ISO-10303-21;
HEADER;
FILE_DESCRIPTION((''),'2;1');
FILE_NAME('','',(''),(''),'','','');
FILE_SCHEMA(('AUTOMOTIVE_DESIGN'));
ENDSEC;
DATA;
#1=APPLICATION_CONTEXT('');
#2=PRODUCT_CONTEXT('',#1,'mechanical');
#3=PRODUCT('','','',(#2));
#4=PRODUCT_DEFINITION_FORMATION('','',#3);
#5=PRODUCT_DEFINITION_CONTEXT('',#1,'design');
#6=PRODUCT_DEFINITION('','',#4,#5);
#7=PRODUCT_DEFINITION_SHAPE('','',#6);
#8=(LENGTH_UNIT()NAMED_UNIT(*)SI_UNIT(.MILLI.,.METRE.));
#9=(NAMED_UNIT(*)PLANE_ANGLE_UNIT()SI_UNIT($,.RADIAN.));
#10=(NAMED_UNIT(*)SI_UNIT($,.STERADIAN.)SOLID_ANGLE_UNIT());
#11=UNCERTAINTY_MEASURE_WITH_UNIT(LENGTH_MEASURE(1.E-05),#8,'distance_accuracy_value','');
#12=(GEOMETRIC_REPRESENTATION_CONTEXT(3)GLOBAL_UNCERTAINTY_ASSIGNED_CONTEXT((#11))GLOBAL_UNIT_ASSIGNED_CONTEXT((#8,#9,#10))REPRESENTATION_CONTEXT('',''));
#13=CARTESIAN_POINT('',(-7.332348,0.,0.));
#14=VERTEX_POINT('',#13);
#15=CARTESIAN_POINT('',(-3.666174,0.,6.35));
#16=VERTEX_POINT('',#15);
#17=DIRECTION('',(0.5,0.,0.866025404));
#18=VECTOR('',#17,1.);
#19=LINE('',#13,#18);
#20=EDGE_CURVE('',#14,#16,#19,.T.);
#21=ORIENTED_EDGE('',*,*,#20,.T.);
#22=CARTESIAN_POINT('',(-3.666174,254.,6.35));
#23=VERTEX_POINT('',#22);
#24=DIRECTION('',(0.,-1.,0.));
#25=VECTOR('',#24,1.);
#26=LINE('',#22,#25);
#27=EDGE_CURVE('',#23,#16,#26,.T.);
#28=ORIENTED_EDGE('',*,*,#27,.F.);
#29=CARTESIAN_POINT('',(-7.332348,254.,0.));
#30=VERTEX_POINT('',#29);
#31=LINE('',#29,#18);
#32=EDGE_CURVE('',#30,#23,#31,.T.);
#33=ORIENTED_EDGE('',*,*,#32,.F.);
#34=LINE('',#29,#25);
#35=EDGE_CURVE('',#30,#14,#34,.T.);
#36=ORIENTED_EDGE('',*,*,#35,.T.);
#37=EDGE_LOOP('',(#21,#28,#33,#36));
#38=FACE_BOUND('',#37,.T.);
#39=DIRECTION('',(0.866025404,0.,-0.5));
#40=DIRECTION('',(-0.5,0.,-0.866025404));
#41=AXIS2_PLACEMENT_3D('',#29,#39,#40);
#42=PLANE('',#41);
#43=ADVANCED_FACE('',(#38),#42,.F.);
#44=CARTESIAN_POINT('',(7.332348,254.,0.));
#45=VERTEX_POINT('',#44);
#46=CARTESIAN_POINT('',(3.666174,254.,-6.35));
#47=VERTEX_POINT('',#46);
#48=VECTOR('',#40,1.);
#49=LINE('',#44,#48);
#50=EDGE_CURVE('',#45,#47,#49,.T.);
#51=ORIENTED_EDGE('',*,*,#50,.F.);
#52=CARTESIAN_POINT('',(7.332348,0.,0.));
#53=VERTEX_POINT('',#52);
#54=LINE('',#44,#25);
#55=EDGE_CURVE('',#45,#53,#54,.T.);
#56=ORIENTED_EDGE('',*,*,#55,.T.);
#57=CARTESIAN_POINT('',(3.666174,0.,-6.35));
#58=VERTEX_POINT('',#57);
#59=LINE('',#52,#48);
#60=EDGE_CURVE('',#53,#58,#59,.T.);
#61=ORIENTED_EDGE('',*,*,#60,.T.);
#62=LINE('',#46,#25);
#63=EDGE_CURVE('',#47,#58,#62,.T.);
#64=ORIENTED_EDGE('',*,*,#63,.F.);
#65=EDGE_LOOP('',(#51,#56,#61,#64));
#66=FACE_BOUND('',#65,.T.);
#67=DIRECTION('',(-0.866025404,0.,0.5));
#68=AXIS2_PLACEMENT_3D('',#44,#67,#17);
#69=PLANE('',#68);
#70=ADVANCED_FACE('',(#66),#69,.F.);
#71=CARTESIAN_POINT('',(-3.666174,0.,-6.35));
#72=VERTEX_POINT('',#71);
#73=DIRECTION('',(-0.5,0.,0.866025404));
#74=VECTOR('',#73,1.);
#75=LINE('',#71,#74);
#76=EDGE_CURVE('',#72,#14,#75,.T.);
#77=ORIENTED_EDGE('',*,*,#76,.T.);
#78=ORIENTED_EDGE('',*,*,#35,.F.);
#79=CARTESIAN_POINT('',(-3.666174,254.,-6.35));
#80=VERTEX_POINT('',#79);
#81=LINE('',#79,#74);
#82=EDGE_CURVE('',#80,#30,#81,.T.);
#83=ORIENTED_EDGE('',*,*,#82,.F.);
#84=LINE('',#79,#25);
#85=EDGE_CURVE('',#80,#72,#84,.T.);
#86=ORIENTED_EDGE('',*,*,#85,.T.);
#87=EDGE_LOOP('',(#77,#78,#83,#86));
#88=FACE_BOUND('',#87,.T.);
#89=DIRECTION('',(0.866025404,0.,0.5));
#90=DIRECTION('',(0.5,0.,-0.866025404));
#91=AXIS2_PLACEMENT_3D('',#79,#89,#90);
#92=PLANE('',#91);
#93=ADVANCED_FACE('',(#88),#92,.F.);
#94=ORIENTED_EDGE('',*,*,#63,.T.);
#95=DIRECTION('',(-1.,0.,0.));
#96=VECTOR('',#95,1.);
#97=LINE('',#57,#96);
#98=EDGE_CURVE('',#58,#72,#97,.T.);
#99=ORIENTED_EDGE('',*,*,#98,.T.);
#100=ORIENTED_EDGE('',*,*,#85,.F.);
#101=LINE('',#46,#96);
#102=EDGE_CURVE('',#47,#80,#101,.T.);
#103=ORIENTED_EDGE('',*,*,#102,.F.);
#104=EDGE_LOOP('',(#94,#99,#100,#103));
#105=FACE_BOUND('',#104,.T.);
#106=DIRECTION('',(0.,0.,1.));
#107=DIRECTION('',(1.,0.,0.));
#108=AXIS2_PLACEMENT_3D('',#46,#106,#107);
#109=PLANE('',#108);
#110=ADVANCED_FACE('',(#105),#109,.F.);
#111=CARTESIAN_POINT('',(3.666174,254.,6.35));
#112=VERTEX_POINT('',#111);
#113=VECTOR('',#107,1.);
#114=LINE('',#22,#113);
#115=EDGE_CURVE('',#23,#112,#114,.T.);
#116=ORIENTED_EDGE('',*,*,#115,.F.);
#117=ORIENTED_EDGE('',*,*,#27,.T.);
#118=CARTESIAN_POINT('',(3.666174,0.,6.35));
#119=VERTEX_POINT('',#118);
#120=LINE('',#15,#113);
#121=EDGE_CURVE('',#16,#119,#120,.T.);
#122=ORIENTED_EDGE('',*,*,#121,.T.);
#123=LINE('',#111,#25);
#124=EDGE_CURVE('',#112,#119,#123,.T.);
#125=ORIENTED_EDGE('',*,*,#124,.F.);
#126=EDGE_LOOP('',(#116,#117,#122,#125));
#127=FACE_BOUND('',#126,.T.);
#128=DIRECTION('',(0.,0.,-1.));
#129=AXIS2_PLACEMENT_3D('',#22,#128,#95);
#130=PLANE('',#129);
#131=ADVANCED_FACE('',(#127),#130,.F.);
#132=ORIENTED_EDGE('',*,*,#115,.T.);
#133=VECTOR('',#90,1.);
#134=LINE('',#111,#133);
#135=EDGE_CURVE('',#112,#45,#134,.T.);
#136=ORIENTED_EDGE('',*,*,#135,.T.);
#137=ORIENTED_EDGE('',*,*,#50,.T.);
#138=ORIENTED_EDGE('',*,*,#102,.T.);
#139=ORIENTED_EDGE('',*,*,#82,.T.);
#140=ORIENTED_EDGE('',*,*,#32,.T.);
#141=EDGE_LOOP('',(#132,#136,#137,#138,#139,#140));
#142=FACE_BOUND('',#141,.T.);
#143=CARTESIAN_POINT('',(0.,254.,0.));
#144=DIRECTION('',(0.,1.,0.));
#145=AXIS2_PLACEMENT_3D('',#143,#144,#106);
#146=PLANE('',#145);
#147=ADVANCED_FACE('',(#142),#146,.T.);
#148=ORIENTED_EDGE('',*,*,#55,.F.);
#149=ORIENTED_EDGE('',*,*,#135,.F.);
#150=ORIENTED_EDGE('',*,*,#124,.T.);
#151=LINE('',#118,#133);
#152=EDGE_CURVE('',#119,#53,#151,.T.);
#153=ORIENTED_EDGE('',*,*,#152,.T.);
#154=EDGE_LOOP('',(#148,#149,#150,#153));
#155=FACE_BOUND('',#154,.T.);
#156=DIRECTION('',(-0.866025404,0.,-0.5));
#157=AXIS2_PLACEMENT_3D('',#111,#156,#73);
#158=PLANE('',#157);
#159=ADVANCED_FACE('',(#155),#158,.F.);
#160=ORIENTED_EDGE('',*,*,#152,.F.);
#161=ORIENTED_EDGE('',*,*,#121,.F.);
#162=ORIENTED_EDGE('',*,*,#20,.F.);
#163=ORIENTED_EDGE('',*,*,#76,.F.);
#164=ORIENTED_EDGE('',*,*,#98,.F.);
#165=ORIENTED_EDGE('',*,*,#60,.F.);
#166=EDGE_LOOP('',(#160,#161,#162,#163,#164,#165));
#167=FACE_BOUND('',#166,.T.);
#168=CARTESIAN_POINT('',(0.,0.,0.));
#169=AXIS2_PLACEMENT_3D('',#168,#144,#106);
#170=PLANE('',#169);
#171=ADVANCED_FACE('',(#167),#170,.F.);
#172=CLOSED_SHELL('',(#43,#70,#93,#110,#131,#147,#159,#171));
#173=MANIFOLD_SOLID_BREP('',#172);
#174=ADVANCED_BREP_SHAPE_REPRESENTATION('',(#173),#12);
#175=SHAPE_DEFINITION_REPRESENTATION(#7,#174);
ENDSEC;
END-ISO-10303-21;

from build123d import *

# Parameters (mm, degrees)
BOSS_EXTRUDE1_DEPTH = 254


with BuildPart() as part:
    # Sketch1 → Boss-Extrude1 (new body)
    with BuildSketch(Plane(origin=(0, 0, 0), x_dir=(1, 0, 0), z_dir=(0, 1, 0))):
        Polygon((7.332348419, 0), (3.666174209, 6.35), (-3.666174209, 6.35), (-7.332348419, 0), (-3.666174209, -6.35), (3.666174209, -6.35), align=None)
    extrude(amount=BOSS_EXTRUDE1_DEPTH)


solid = part.part
